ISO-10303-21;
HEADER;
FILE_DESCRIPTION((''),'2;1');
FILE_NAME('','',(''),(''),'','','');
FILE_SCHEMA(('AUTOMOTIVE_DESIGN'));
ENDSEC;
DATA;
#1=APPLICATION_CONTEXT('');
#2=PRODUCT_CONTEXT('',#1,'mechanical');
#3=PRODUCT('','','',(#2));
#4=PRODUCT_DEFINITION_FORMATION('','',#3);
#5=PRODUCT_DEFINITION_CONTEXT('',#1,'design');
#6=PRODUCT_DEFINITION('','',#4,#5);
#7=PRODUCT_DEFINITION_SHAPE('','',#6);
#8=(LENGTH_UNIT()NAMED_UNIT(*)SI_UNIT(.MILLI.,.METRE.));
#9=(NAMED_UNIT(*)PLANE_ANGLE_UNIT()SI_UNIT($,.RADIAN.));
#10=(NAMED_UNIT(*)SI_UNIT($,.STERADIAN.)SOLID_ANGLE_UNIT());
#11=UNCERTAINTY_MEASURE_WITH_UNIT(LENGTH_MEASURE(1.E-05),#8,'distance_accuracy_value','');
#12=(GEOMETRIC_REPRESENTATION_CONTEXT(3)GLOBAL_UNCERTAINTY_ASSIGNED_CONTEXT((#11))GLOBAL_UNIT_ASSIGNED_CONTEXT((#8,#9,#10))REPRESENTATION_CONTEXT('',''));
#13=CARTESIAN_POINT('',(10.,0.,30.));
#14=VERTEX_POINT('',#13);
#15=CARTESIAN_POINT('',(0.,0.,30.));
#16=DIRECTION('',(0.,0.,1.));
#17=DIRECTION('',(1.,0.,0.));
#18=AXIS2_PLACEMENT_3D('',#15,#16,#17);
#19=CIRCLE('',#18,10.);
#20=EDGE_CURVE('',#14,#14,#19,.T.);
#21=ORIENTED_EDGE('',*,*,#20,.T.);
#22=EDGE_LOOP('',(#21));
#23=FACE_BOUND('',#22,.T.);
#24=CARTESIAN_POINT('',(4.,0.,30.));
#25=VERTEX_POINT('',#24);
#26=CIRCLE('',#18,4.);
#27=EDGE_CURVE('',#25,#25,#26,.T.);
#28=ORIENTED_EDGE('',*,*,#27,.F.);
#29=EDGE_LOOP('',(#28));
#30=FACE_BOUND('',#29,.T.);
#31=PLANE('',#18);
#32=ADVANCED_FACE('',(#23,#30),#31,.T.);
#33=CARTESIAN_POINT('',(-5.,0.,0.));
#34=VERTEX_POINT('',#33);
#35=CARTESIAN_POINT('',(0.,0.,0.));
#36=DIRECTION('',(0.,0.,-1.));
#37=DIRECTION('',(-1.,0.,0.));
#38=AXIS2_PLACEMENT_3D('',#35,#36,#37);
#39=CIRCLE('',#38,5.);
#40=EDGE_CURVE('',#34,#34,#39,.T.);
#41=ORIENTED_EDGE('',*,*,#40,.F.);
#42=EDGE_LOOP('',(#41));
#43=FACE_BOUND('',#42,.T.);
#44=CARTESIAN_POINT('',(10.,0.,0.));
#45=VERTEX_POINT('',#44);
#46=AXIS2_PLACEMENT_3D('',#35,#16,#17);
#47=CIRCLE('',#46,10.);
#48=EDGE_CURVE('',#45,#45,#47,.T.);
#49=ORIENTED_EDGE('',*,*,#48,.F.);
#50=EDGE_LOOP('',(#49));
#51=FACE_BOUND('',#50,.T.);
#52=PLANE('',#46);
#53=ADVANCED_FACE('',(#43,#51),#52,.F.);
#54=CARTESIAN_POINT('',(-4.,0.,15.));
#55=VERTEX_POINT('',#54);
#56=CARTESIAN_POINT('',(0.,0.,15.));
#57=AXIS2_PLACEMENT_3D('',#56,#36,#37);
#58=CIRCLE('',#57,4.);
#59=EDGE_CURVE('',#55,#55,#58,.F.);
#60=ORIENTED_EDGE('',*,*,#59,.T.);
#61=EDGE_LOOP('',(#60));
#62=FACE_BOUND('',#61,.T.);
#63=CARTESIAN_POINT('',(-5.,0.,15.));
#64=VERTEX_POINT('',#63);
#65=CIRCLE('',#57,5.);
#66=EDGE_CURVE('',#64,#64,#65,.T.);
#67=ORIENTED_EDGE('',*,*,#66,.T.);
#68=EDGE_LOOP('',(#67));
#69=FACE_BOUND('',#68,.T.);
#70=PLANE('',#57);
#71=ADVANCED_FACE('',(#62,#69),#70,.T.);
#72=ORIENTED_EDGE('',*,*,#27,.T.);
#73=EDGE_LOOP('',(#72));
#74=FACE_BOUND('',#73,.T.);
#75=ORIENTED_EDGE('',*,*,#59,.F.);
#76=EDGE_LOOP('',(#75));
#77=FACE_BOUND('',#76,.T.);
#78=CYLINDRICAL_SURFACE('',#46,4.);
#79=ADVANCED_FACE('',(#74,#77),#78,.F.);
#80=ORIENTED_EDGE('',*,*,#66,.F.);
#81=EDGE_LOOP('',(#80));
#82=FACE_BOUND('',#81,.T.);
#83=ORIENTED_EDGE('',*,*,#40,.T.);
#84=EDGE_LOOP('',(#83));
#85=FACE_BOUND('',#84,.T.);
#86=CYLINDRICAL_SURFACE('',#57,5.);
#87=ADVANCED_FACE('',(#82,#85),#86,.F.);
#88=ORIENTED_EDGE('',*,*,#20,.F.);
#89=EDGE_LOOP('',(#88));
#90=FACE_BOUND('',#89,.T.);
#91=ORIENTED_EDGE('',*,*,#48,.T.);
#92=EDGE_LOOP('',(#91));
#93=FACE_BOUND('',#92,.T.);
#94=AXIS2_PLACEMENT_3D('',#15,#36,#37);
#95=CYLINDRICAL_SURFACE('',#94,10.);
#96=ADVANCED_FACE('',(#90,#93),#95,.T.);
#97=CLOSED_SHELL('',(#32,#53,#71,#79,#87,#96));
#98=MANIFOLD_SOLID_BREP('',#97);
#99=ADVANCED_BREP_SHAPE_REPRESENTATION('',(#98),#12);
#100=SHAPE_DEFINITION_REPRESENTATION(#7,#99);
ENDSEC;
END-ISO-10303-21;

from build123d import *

# Parameters (mm, degrees)
SKETCH1_R           = 10
SKETCH1_R_2         = 0.065570397
BOSS_EXTRUDE1_DEPTH = 30
SKETCH2_R           = 4
CUT_EXTRUDE1_DEPTH  = 30
SKETCH3_R           = 5
CUT_EXTRUDE2_DEPTH  = 15


with BuildPart() as part:
    # Sketch1 → Boss-Extrude1 (new body)
    with BuildSketch(Plane.XY):
        Circle(SKETCH1_R)
        Circle(SKETCH1_R_2, mode=Mode.SUBTRACT)
    extrude(amount=BOSS_EXTRUDE1_DEPTH)

    # Sketch2 → Cut-Extrude1 (cut)
    with BuildSketch(Plane.XY.offset(30)):
        Circle(SKETCH2_R)
    extrude(amount=-CUT_EXTRUDE1_DEPTH, mode=Mode.SUBTRACT)

    # Sketch3 → Cut-Extrude2 (cut)
    with BuildSketch(Plane(origin=(0, 0, 0), x_dir=(-1, 0, 0), z_dir=(0, 0, -1))):
        Circle(SKETCH3_R)
    extrude(amount=-CUT_EXTRUDE2_DEPTH, mode=Mode.SUBTRACT)


solid = part.part
